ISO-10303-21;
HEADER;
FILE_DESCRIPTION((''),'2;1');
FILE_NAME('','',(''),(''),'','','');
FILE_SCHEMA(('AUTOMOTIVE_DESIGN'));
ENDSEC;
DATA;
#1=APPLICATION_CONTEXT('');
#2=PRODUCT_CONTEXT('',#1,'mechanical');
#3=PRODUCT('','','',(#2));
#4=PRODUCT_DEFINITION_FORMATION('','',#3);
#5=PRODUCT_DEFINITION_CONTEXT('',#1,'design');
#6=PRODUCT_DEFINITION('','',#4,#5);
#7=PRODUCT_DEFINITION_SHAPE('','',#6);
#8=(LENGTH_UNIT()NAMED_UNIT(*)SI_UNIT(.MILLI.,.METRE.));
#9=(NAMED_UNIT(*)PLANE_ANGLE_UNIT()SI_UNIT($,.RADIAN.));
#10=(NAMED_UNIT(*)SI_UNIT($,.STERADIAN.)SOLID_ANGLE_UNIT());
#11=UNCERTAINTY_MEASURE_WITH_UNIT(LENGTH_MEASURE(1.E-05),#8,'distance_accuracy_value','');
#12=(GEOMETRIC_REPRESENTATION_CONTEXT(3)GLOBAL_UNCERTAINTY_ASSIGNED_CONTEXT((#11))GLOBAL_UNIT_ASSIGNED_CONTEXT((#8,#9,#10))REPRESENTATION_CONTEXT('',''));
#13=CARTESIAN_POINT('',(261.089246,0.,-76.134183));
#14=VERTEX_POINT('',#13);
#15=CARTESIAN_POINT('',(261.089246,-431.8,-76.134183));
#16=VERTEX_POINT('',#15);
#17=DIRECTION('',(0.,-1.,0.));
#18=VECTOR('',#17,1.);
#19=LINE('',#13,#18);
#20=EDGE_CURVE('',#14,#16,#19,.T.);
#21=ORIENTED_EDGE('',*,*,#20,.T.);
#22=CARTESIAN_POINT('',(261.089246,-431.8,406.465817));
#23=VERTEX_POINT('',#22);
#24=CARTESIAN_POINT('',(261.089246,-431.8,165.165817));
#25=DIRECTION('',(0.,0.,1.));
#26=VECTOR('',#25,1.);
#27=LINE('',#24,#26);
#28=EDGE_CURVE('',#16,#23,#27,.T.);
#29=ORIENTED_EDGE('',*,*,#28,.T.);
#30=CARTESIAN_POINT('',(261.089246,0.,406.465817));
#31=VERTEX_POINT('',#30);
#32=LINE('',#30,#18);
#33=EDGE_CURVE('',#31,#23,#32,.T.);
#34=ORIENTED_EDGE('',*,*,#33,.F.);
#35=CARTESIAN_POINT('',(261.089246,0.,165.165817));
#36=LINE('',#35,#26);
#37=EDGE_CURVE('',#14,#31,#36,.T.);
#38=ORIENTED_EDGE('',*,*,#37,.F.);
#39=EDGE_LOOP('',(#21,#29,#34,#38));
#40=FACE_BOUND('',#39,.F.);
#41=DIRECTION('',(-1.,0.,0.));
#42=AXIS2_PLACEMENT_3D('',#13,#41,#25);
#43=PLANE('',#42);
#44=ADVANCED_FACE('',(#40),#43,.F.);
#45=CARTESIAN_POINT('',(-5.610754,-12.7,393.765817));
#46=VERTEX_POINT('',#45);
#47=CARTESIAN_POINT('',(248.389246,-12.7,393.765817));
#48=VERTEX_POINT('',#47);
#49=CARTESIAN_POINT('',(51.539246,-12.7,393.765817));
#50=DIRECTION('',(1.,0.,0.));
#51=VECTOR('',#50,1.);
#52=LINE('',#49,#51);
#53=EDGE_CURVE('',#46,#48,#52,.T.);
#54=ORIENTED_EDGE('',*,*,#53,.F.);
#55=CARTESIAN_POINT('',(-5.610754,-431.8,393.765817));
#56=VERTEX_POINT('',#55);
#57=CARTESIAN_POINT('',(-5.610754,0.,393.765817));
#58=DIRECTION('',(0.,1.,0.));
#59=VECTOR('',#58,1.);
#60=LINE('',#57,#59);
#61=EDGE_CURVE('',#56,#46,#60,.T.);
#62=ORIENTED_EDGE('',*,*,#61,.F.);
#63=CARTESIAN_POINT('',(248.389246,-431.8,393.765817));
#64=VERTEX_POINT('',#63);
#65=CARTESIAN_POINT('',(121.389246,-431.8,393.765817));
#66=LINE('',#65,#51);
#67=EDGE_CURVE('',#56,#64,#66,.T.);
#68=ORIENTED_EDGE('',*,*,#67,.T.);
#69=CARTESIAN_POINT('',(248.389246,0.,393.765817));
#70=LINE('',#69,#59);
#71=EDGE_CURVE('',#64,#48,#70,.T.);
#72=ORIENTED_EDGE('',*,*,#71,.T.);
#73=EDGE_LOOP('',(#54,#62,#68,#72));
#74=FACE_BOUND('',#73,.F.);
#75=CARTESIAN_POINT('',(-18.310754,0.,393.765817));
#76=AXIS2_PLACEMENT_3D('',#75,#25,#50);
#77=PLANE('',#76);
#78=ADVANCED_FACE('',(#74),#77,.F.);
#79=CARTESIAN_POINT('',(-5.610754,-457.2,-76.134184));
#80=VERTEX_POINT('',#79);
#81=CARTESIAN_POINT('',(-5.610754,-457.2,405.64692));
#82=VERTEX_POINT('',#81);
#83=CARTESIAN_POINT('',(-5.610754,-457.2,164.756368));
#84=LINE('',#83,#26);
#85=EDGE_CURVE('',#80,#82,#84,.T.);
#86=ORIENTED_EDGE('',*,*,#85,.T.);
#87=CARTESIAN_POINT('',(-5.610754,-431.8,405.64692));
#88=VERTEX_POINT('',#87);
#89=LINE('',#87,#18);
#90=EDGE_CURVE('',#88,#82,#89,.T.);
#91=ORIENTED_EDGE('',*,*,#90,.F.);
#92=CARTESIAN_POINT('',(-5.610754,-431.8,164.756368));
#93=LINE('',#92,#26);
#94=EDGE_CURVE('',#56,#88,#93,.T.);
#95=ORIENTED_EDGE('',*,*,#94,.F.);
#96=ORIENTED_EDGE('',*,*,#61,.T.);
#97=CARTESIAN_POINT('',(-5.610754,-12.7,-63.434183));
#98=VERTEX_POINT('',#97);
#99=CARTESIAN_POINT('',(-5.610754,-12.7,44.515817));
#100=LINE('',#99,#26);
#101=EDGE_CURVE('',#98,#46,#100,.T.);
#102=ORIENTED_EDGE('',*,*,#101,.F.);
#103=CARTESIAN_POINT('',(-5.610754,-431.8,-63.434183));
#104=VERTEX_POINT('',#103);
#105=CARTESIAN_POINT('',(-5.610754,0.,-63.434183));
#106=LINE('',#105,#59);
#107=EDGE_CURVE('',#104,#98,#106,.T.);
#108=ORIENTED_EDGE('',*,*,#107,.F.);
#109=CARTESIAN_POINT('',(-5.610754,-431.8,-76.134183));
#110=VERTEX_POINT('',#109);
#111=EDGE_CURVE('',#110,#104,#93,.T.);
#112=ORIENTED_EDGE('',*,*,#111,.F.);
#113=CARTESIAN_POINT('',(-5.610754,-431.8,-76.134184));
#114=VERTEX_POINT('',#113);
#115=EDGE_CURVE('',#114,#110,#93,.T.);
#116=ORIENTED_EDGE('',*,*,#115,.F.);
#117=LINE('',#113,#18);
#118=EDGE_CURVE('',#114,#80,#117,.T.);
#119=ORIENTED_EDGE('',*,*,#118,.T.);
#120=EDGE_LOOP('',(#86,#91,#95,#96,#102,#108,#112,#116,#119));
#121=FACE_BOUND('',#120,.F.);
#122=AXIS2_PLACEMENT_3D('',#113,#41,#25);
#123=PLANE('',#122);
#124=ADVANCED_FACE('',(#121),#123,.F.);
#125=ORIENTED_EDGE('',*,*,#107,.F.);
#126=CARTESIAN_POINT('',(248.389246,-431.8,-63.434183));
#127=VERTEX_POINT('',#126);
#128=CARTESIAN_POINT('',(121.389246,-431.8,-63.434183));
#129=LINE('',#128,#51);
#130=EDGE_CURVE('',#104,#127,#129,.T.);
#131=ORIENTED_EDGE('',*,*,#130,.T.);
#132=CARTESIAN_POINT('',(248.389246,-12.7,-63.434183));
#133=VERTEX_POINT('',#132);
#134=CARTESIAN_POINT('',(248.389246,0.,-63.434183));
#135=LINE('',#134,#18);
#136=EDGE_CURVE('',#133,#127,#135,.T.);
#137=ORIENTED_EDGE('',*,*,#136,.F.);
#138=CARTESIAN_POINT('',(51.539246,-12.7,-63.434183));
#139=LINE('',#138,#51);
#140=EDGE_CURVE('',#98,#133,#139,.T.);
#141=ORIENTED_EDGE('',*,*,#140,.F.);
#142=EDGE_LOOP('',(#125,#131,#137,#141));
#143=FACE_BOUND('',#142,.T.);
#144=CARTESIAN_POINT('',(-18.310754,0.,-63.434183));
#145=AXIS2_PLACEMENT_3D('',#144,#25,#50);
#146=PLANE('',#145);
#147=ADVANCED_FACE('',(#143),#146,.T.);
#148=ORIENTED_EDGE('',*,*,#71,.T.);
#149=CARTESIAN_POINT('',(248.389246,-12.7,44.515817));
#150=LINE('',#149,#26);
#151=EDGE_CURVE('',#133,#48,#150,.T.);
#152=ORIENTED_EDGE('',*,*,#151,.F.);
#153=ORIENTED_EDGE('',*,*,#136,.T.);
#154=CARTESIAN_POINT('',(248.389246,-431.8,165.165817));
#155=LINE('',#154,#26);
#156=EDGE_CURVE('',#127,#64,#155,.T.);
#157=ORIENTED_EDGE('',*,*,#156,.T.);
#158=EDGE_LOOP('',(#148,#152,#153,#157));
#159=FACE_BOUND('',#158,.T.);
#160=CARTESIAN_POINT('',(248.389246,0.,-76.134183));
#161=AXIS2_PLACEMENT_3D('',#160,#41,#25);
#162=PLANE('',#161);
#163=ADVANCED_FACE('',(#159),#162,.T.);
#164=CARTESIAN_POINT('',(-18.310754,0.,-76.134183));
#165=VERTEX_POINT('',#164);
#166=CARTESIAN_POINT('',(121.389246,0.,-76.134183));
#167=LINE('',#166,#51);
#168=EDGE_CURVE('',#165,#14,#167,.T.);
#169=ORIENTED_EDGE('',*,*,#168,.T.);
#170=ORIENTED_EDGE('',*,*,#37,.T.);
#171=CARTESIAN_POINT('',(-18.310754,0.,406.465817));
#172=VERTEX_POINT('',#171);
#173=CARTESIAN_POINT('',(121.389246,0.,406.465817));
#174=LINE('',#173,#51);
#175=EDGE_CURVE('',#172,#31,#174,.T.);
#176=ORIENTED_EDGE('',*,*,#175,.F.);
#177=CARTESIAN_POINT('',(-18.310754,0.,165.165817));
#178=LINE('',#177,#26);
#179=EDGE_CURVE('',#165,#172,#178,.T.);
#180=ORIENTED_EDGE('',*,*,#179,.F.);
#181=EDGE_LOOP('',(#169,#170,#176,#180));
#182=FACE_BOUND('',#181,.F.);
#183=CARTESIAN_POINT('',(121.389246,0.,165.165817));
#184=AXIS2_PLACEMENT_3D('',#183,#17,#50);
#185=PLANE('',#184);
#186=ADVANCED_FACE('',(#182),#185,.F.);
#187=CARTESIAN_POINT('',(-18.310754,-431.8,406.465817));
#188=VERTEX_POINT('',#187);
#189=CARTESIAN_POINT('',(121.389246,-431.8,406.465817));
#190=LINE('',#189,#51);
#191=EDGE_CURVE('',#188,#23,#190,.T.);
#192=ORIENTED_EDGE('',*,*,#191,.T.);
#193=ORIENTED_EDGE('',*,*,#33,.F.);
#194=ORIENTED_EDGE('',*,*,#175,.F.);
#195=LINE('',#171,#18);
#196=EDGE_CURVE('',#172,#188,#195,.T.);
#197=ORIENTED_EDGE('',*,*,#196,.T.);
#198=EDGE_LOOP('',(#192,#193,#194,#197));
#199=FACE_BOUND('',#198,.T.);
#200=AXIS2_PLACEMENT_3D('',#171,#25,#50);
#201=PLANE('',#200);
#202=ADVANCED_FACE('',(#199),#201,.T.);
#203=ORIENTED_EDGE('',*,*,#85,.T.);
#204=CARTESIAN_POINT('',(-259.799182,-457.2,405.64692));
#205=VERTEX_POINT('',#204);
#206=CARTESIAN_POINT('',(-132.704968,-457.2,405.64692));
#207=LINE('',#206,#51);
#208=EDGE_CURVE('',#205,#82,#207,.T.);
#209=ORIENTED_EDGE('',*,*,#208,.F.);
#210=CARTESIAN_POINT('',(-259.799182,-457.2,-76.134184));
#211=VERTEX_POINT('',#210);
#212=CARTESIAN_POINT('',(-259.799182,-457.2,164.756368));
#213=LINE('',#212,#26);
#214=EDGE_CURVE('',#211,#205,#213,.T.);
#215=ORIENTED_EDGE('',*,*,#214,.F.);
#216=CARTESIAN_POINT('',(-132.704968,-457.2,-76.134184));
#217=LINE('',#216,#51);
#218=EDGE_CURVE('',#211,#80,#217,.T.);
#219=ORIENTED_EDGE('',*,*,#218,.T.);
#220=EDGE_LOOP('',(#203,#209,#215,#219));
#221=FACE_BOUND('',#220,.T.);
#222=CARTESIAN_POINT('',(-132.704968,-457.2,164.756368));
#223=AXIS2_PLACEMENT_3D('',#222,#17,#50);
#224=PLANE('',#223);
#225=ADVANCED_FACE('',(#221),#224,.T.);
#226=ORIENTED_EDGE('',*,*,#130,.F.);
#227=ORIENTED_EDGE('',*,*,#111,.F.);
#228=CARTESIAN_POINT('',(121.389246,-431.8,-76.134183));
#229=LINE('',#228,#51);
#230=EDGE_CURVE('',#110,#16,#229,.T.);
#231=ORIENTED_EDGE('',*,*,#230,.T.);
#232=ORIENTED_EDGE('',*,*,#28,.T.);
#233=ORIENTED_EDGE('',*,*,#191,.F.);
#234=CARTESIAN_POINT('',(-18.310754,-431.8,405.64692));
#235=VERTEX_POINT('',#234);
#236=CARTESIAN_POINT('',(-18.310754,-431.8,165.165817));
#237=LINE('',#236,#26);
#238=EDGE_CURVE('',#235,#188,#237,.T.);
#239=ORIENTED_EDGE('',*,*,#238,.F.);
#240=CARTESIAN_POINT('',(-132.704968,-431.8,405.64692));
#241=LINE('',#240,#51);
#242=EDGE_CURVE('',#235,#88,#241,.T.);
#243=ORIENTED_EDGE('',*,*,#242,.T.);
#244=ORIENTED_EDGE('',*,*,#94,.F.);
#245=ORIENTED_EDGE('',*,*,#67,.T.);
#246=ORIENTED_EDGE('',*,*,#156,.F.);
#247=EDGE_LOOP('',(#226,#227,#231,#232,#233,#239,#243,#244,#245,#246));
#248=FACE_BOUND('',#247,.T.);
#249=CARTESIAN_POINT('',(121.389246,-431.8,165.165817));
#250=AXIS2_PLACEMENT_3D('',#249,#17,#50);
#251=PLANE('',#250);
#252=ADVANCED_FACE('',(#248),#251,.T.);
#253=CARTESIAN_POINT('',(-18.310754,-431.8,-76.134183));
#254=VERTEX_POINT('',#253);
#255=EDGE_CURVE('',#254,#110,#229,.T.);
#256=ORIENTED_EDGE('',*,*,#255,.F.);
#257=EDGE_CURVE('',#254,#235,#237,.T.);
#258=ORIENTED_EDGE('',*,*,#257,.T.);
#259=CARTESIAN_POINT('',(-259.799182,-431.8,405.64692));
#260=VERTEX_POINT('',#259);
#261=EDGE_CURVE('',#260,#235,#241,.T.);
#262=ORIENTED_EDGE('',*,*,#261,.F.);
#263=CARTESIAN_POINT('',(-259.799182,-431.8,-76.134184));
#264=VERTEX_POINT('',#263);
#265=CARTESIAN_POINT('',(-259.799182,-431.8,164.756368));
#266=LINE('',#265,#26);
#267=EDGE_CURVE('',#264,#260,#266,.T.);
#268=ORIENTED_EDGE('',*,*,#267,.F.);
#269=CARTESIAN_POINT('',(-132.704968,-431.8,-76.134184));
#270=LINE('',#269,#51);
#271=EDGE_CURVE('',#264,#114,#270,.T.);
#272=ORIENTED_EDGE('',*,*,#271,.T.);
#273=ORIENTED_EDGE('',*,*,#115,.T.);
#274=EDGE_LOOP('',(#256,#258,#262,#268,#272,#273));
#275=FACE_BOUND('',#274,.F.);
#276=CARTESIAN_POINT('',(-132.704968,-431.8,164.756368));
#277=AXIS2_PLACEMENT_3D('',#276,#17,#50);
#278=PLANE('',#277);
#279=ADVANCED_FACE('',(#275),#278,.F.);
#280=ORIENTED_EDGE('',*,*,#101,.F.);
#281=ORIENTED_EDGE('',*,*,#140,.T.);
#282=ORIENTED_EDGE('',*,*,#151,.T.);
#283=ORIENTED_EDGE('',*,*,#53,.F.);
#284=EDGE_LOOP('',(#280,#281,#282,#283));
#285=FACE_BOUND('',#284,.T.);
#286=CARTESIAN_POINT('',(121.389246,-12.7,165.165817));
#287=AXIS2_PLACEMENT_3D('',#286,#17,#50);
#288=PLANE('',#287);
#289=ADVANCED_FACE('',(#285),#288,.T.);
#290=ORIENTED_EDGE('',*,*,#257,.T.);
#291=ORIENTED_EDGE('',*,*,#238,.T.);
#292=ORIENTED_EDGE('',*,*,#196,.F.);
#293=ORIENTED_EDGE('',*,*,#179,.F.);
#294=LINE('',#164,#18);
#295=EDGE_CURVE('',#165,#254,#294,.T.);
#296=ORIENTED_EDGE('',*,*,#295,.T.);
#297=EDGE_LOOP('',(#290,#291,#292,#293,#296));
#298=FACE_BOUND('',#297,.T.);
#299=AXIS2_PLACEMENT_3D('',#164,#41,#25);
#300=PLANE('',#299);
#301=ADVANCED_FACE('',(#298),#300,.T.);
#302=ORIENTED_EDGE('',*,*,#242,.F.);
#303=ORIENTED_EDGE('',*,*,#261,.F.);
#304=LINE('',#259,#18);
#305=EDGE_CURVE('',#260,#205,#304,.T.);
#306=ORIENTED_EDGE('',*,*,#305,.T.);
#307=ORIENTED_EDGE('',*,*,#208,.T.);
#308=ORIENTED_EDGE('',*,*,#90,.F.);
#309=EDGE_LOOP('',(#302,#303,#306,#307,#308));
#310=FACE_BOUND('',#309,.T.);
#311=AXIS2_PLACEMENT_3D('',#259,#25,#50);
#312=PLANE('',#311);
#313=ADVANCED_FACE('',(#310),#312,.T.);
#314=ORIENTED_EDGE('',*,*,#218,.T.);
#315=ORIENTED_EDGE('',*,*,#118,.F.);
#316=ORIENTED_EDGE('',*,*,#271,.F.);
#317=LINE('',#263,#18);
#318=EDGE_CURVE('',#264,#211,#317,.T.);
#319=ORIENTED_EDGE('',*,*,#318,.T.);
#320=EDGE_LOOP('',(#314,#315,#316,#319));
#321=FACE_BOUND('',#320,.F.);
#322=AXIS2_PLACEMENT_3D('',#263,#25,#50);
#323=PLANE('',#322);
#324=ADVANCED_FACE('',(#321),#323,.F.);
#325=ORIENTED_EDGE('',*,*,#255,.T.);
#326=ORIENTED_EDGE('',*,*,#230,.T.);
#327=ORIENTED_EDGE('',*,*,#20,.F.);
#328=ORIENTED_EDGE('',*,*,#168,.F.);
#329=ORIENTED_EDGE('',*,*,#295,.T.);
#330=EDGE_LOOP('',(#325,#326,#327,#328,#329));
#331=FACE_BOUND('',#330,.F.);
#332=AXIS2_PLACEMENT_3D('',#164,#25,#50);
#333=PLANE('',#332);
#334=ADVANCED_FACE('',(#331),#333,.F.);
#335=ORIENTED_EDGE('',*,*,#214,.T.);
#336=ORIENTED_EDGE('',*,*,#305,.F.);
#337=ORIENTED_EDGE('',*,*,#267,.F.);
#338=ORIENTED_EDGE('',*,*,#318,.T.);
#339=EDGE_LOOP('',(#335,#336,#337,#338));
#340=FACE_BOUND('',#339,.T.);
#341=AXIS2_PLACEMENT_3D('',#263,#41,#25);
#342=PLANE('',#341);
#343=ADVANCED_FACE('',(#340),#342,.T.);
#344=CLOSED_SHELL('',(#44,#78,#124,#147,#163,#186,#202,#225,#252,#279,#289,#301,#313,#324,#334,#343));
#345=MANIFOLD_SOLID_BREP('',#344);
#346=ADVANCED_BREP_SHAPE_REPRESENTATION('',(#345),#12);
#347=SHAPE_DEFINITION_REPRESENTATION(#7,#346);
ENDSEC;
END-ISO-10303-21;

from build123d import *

# Parameters (mm, degrees)
F0_W     = 279.4
F0_H     = 482.6
F1_DEPTH = 431.8
F2_T     = -12.7
F3_W     = 254.188428
F3_H     = 481.781103
F4_DEPTH = 25.4


with BuildPart() as f1:
    # F0 (on Front) → F1 (new body)
    with BuildSketch(Plane.XZ):
        with Locations((121.389246, 165.165817)):
            Rectangle(F0_W, F0_H)
    extrude(amount=F1_DEPTH)

    # F2
    f2_openings = [f1.faces().sort_by_distance(p)[0] for p in [
        (121.389246, -431.8, 165.165817),
    ]]
    offset(amount=F2_T, openings=f2_openings)

    # F3 (on face) → F4 (join)
    with BuildSketch(Plane.XZ.offset(431.8)):
        with Locations((-132.704968, 164.756368)):
            Rectangle(F3_W, F3_H)
    extrude(amount=F4_DEPTH)


solid = f1.part
